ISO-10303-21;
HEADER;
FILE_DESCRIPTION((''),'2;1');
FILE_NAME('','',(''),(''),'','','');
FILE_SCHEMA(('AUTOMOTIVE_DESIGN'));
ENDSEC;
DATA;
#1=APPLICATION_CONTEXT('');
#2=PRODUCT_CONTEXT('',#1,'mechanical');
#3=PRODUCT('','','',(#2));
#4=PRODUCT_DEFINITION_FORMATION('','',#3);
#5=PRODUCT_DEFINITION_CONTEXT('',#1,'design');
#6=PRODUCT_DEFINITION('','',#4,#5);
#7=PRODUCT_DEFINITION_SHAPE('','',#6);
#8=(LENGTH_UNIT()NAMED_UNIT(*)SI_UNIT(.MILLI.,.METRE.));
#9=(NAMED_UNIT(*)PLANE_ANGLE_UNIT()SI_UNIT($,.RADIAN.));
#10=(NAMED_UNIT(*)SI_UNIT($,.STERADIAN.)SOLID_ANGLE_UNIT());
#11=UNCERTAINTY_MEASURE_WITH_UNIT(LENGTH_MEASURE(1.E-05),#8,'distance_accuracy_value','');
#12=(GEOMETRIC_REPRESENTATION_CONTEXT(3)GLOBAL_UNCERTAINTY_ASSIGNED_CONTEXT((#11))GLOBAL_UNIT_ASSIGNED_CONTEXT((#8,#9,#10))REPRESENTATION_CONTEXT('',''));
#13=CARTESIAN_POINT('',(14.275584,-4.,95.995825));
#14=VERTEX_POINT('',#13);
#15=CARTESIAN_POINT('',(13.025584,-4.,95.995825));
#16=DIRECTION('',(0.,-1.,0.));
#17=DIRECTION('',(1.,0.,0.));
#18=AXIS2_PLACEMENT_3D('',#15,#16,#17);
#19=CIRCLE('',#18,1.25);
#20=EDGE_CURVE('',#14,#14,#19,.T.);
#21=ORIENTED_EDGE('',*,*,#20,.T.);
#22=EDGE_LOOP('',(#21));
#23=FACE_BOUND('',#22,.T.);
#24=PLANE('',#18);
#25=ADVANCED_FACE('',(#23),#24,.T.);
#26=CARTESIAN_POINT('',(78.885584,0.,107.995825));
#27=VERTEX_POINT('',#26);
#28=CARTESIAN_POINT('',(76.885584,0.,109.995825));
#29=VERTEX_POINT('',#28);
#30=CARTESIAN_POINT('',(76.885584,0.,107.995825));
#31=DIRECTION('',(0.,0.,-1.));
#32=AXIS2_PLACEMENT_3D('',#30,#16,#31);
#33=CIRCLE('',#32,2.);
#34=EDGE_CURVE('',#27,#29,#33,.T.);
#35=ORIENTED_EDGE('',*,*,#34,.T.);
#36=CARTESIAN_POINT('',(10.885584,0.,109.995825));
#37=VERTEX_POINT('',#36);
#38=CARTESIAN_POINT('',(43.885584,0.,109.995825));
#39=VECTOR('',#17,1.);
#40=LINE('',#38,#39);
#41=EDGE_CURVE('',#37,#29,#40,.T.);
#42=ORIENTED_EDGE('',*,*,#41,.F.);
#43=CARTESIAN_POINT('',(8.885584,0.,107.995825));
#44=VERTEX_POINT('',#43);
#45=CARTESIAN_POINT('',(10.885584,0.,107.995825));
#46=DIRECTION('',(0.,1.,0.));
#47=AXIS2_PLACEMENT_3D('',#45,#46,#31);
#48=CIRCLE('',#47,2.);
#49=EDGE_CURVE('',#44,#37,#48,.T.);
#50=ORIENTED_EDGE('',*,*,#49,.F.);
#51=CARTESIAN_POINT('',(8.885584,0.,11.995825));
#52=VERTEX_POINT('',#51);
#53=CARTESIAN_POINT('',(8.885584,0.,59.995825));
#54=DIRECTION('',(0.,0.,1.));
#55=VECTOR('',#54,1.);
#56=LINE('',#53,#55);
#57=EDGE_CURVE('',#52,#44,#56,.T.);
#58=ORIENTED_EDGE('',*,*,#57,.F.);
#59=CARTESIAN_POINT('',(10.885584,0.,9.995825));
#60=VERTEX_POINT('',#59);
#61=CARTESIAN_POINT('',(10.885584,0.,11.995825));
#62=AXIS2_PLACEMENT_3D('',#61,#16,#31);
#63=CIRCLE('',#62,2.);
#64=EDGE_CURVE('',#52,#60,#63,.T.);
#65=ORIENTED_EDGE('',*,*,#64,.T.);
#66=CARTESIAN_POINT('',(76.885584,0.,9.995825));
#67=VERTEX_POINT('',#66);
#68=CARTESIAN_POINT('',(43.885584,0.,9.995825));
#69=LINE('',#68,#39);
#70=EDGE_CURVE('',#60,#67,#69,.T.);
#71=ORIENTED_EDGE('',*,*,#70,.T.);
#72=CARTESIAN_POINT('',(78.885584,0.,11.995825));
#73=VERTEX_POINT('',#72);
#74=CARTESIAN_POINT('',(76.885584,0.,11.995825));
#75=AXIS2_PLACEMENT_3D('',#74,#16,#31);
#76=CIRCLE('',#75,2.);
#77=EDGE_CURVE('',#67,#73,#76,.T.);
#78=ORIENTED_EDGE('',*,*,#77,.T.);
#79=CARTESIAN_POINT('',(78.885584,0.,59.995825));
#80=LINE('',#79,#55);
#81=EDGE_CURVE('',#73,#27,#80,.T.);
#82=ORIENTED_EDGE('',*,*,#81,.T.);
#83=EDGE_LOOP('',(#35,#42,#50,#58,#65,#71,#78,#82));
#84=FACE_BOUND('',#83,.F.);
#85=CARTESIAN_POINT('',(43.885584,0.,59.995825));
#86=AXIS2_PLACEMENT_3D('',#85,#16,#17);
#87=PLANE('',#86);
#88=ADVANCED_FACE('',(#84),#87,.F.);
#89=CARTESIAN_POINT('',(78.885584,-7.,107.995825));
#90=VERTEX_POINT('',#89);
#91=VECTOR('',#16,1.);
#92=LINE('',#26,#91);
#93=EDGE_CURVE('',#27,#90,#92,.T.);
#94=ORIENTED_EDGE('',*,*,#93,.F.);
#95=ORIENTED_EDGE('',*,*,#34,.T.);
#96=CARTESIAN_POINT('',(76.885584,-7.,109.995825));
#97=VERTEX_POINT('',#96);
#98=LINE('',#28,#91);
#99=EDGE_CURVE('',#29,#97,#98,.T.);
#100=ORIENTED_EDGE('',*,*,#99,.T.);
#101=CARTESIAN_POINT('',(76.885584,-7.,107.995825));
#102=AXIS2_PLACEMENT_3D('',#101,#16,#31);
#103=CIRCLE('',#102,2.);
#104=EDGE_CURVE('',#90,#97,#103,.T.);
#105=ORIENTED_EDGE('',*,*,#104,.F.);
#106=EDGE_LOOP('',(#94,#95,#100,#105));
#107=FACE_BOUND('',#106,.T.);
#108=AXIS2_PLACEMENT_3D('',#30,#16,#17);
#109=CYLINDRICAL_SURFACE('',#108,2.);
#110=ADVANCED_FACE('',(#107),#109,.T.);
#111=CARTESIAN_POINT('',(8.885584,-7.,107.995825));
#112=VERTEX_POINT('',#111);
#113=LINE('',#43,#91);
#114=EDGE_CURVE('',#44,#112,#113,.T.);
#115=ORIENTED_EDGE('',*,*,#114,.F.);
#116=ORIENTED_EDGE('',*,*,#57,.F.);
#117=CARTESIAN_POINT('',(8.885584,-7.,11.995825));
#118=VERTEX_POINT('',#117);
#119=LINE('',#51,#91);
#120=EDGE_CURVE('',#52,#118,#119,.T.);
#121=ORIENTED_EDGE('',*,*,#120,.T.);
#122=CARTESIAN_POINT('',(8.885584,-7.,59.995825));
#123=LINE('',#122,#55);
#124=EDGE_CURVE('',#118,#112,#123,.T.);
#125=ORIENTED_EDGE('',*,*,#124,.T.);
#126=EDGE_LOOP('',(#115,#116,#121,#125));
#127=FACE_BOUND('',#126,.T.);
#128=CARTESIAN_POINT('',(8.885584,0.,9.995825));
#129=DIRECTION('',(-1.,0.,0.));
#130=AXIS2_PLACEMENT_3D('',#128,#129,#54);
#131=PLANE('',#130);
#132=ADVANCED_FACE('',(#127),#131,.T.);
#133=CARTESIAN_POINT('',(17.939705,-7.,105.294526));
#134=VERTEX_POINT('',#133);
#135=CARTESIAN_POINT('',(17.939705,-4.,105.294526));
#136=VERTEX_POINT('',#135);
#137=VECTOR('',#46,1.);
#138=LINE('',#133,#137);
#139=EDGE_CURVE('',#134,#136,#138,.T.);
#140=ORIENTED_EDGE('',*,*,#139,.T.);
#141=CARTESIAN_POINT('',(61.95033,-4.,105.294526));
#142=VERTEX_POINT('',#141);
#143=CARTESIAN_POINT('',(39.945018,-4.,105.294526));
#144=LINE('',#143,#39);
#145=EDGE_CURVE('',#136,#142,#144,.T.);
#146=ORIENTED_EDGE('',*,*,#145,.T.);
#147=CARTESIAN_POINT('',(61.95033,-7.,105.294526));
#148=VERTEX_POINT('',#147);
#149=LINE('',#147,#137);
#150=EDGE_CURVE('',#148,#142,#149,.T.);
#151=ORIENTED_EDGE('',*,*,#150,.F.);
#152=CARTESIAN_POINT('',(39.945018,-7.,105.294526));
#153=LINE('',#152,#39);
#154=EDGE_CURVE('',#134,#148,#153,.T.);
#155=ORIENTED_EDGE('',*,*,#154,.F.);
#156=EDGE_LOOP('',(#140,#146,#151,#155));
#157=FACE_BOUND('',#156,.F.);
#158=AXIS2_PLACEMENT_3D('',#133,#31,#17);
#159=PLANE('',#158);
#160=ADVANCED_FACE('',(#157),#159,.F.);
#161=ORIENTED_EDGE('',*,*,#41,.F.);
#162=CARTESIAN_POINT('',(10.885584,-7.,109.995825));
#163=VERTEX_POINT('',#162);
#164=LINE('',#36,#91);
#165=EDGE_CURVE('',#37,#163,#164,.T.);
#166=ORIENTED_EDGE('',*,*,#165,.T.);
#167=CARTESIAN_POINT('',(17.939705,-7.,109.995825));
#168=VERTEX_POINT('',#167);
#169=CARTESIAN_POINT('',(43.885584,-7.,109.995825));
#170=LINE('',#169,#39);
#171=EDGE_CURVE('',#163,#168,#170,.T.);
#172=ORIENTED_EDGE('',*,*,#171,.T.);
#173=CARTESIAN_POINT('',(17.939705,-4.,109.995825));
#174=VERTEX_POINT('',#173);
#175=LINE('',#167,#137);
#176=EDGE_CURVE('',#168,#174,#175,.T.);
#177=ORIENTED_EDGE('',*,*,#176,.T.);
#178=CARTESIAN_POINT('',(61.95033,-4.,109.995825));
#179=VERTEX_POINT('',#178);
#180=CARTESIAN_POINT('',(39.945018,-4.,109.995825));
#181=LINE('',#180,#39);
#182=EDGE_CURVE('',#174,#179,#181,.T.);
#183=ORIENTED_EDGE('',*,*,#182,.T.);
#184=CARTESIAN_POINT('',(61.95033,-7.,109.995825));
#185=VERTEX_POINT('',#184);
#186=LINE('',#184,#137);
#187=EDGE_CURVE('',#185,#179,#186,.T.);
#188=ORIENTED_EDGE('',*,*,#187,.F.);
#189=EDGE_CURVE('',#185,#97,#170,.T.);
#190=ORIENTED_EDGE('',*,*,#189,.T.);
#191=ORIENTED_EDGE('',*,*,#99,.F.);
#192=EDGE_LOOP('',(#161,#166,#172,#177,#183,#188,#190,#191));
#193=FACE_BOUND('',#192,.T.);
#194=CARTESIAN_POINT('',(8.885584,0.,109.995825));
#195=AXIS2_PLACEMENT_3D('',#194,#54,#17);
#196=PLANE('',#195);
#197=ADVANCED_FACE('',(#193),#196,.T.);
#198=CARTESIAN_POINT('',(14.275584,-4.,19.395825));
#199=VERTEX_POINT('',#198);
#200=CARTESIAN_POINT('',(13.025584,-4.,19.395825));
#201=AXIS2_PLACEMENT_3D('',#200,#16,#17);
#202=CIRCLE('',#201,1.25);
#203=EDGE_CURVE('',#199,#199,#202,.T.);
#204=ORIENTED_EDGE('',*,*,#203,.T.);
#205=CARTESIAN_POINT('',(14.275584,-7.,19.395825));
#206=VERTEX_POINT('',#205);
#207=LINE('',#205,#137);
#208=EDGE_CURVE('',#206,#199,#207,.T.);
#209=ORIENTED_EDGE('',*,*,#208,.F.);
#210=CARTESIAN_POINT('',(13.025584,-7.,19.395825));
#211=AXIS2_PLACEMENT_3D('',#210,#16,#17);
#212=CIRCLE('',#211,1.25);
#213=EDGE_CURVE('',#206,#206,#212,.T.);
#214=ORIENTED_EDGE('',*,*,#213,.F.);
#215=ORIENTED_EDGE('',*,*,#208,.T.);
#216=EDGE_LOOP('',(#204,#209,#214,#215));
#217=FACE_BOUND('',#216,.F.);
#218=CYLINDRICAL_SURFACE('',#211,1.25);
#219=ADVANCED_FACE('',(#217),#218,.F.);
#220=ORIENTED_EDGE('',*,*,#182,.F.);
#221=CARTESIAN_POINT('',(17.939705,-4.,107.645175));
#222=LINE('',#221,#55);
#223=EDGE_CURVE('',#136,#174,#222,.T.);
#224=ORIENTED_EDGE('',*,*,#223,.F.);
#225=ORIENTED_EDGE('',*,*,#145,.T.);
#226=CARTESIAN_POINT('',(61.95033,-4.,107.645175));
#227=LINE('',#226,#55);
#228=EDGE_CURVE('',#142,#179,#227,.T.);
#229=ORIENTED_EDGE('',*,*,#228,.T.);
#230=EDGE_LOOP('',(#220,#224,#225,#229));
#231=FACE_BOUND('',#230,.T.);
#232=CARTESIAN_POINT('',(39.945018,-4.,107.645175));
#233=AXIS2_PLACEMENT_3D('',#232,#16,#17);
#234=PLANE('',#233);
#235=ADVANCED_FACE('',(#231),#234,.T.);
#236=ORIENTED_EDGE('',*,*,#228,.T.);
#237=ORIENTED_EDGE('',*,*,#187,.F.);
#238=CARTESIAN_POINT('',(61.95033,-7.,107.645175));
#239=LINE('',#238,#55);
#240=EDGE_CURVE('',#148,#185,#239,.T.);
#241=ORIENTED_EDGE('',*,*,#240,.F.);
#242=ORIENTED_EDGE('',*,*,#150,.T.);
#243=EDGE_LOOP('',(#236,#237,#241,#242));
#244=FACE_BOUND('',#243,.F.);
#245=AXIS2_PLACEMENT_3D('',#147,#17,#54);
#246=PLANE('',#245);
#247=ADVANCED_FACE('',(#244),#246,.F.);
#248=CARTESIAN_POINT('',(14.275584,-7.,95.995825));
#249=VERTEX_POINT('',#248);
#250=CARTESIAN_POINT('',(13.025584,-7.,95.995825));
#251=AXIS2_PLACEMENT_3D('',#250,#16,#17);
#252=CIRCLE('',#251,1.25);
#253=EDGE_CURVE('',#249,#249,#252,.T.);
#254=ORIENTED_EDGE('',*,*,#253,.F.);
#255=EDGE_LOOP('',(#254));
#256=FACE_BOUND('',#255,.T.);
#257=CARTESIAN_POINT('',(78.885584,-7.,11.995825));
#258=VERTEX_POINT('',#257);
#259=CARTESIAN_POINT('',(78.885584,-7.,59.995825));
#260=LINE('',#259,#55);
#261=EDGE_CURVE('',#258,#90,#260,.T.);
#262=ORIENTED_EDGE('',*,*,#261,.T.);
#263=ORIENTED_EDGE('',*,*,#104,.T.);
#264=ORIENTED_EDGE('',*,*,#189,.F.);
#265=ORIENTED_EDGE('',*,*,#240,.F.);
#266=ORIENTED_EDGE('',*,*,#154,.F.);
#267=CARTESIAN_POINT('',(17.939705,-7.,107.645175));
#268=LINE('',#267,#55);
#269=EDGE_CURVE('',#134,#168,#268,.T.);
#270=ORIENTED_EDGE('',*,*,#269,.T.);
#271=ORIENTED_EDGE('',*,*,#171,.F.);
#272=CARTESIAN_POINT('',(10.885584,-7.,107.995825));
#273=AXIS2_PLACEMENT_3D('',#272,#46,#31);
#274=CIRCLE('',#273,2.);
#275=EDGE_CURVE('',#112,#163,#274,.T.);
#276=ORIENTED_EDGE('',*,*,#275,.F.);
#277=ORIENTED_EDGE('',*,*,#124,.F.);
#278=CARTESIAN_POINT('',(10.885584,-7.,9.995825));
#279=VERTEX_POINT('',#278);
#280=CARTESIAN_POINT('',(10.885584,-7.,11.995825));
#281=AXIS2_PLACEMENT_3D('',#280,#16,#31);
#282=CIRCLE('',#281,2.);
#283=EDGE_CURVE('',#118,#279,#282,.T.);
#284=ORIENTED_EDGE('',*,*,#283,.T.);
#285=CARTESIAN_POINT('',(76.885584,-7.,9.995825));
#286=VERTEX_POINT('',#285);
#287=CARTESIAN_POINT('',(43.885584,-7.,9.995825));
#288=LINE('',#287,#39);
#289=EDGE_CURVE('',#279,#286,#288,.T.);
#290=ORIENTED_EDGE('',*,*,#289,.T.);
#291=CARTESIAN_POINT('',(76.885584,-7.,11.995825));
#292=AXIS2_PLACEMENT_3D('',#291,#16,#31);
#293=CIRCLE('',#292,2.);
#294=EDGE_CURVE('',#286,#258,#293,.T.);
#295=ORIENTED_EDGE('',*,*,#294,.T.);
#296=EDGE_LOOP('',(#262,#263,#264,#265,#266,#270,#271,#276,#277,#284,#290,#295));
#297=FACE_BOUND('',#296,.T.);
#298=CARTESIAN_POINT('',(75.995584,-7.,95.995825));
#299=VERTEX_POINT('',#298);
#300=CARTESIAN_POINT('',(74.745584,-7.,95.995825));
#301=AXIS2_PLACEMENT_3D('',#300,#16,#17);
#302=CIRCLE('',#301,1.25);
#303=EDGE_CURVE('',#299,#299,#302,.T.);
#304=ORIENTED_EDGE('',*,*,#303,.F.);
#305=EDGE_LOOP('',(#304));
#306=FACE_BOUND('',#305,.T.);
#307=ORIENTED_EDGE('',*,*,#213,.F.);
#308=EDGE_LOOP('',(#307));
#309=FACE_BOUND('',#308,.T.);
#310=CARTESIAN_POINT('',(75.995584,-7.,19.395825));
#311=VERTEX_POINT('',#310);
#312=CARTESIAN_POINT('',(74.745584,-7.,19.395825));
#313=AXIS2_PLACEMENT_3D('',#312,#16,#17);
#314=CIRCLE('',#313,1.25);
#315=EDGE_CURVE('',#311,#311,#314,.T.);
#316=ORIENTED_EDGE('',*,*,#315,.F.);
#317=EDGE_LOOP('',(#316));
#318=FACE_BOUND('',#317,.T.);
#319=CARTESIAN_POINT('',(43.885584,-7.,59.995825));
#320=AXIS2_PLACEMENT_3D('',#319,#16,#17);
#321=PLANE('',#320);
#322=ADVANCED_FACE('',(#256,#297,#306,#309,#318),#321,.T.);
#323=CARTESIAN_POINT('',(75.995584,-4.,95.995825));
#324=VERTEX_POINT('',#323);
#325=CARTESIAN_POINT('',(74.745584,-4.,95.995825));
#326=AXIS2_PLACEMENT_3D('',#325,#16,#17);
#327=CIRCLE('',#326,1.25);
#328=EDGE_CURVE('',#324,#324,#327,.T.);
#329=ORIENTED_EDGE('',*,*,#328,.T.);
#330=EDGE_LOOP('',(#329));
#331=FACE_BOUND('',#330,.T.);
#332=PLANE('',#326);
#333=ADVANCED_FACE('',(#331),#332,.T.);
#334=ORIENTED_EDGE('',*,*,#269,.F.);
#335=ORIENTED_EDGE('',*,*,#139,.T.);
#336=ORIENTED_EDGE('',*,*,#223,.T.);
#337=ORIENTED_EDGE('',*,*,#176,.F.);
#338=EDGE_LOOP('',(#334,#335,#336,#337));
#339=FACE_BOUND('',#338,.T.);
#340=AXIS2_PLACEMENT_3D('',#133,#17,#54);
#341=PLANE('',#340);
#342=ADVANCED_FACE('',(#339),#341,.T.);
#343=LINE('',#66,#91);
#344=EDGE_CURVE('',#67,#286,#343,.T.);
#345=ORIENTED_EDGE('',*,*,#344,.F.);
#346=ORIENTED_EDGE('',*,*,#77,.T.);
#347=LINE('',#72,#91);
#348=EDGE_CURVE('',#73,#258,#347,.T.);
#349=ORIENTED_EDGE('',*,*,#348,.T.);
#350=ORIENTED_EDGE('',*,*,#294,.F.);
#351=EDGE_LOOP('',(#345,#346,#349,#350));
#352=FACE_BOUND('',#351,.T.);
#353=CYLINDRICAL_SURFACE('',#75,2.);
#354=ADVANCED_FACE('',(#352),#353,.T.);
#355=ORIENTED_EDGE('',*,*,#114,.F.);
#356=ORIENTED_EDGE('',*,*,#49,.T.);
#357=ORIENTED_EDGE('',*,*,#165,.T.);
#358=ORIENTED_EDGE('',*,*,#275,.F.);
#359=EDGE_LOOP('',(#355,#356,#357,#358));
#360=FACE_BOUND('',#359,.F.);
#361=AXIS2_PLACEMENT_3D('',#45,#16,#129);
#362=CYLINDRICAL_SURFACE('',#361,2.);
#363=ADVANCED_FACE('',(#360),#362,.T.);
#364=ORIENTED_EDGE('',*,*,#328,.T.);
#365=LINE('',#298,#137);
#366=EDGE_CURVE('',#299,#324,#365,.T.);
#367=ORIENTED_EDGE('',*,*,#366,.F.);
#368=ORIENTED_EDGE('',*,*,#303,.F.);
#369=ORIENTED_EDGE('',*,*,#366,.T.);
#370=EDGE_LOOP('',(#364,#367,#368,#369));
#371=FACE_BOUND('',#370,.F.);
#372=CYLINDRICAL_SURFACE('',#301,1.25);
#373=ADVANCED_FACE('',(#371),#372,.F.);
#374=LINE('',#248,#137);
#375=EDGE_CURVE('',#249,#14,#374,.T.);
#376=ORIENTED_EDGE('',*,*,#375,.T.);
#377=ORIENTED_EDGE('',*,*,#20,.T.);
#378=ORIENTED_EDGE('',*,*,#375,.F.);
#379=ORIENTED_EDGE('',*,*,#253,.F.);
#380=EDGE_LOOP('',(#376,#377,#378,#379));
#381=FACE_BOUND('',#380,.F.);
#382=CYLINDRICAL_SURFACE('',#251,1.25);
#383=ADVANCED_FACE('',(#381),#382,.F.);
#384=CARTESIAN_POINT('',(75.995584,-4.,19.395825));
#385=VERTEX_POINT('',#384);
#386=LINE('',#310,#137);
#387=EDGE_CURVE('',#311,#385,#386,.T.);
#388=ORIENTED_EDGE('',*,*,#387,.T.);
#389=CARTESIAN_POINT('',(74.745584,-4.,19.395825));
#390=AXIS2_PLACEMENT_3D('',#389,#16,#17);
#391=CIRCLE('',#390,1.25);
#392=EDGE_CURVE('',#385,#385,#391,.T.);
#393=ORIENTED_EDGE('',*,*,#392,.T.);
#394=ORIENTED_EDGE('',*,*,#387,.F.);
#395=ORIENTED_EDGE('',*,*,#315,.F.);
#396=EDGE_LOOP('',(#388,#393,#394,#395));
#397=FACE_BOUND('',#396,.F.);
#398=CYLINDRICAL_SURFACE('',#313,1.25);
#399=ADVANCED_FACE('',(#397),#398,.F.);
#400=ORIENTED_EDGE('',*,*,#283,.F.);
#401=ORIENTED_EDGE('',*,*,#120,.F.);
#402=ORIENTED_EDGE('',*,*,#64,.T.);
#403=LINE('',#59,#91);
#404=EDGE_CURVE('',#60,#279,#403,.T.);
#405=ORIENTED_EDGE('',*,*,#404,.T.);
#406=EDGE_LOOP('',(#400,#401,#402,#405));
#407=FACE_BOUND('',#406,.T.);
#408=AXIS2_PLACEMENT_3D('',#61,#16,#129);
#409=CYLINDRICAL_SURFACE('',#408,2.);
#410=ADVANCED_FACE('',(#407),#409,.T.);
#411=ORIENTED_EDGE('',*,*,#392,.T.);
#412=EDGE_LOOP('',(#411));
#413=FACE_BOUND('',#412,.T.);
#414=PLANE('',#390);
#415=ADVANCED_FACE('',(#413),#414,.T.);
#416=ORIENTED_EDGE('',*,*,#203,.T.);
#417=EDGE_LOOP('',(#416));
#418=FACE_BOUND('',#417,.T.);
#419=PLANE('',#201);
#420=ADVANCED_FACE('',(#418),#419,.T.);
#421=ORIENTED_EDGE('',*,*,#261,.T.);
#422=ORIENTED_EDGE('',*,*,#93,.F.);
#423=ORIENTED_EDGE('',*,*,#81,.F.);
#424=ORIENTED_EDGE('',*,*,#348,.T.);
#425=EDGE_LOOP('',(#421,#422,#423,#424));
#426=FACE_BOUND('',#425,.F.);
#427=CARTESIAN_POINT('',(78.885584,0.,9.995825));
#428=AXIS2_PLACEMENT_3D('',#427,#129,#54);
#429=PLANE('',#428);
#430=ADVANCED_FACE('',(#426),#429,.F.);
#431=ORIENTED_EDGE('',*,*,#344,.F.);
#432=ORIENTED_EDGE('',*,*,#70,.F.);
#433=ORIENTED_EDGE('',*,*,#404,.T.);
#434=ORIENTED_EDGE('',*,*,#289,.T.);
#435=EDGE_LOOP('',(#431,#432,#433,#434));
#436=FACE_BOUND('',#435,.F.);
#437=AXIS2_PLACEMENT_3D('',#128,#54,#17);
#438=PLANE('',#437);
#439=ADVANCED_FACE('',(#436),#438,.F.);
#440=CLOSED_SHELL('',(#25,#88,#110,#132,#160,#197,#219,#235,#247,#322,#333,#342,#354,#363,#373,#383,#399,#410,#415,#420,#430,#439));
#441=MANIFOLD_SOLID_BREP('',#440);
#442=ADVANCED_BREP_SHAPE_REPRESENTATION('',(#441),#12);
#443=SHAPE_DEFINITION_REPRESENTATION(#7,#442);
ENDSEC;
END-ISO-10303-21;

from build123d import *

# Parameters (mm, degrees)
F0_W     = 70
F0_H     = 100
F1_DEPTH = 7
F2_R     = 2
F3_R     = 1.25
F3_W     = 44.0106242895
F3_H     = 4.7012990341
F4_DEPTH = 3


with BuildPart() as f1:
    # F0 (on Front) → F1 (new body)
    with BuildSketch(Plane.XZ):
        with Locations((43.885584152, 59.9958246574)):
            Rectangle(F0_W, F0_H)
    extrude(amount=F1_DEPTH)

    # F2
    f2_edges = [f1.edges().sort_by_distance(p)[0] for p in [
        (8.885584, -3.5, 109.995825),
        (8.885584, -3.5, 9.995825),
        (78.885584, -3.5, 9.995825),
        (78.885584, -3.5, 109.995825),
    ]]
    fillet(f2_edges, radius=F2_R)

    # F3 (on face) → F4 (cut)
    with BuildSketch(Plane.XZ.offset(7)):
        with Locations((13.025584152, 95.9958246574)):
            Circle(F3_R)
        with Locations((74.745584152, 95.9958246574)):
            Circle(F3_R)
        with Locations((13.025584152, 19.3958246574)):
            Circle(F3_R)
        with Locations((74.745584152, 19.3958246574)):
            Circle(F3_R)
        with Locations((39.9450175464, 107.6451751404)):
            Rectangle(F3_W, F3_H)
    extrude(amount=-F4_DEPTH, mode=Mode.SUBTRACT)


solid = f1.part
